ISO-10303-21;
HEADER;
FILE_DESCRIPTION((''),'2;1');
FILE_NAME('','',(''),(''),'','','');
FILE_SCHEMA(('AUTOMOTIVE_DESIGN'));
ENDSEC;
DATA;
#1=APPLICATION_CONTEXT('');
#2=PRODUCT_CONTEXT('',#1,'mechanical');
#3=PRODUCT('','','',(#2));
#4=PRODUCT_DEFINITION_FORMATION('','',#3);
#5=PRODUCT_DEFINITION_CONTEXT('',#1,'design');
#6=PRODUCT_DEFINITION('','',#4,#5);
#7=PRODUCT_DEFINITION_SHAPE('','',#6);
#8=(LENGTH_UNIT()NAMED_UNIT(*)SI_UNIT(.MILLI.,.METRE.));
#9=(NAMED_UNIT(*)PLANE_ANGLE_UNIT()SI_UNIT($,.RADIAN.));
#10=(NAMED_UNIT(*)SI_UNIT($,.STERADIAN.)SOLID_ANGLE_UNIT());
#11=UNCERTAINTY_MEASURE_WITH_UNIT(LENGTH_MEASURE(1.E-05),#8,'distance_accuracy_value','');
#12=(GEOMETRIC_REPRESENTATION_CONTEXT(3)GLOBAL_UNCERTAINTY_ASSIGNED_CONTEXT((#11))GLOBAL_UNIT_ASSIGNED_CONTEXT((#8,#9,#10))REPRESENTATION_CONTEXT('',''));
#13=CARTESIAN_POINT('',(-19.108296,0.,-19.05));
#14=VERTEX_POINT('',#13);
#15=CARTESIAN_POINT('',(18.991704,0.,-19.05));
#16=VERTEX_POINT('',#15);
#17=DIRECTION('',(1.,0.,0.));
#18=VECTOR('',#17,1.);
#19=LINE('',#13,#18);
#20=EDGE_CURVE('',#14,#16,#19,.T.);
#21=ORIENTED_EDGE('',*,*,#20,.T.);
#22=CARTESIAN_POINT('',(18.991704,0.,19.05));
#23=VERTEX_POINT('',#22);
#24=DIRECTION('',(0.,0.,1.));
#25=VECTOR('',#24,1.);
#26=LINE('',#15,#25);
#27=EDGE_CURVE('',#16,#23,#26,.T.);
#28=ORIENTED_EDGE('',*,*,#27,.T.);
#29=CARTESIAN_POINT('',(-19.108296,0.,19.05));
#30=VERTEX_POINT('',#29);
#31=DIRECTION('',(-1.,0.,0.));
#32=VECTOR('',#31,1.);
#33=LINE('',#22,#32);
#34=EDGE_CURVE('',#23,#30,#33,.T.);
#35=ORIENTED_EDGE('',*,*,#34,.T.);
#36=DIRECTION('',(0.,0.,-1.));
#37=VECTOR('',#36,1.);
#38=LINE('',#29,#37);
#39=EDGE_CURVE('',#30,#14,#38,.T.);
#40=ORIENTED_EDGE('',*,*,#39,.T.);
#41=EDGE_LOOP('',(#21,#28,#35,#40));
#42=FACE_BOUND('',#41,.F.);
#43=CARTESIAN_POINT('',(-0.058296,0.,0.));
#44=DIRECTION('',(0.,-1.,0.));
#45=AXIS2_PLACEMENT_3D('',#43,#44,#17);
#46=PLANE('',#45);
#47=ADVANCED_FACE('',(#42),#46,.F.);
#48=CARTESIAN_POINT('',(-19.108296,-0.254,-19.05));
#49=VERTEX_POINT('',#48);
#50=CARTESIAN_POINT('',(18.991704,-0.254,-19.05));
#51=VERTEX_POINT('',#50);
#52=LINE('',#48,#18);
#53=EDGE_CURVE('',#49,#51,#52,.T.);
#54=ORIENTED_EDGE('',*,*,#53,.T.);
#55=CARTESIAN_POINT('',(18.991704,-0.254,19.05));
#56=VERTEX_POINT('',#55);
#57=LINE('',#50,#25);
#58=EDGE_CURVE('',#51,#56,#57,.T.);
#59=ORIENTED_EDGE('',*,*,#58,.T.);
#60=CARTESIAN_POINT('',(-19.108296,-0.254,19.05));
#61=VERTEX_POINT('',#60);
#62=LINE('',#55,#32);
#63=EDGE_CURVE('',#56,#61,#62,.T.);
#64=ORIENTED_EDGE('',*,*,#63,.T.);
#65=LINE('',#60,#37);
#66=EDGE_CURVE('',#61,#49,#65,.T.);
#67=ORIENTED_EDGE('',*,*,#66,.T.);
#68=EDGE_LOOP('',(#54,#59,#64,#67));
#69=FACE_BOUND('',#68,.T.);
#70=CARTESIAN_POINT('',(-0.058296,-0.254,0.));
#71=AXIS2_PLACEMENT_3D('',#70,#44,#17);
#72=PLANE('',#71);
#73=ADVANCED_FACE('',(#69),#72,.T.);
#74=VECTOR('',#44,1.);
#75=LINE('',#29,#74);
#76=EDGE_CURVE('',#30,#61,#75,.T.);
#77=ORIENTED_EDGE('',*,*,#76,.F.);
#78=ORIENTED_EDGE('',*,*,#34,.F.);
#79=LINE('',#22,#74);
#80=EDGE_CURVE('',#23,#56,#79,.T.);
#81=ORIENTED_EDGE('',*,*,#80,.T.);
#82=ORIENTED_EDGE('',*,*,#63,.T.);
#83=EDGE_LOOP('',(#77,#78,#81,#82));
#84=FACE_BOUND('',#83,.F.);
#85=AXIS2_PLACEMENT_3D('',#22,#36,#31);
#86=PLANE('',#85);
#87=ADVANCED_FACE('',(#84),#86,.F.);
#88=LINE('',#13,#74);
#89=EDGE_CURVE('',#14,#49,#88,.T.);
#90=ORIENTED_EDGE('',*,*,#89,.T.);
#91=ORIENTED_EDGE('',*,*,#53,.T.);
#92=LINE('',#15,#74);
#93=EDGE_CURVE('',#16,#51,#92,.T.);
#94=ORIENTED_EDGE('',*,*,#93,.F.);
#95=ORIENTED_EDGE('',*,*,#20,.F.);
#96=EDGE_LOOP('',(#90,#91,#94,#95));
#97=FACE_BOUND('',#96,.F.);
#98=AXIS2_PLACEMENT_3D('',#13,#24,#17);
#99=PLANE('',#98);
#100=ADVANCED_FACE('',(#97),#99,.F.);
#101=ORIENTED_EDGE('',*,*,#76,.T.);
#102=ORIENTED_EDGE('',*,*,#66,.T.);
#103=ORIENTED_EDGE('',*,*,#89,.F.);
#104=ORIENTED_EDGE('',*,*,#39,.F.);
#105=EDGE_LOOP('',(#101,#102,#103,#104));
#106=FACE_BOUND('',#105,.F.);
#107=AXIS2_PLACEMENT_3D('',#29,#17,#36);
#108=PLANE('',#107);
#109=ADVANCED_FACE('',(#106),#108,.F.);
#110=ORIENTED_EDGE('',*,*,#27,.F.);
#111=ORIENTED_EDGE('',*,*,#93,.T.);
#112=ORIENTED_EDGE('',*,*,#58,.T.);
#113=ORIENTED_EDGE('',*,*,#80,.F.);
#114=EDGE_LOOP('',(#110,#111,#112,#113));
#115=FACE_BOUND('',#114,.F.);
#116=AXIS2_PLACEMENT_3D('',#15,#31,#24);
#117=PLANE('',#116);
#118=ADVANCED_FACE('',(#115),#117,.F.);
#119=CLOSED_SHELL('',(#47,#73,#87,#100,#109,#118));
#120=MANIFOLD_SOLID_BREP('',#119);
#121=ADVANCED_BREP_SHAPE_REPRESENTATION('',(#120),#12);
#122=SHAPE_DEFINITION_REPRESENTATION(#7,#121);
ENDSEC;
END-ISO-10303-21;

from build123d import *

# Parameters (mm, degrees)
F1_DEPTH = 0.254


with BuildPart() as f1:
    # F0 (on Front) → F1 (new body)
    with BuildSketch(Plane.XZ):
        with BuildLine():
            ThreePointArc((-0.0582960698, -19.05), (13.4120881498, -13.4703842024), (18.991703989, 0))
            ThreePointArc((18.991703989, 0), (13.4120881706, 13.4703841816), (-0.058296011, 19.05))
            ThreePointArc((-0.058296011, 19.05), (-13.5286801926, 13.4703841816), (-19.108296011, 0))
            ThreePointArc((-19.108296011, 0), (-13.5286802134, -13.4703841608), (-0.0582960698, -19.05))
        make_face()
        with BuildLine():
            Line((18.991703989, -19.05), (18.991703989, 0))
            ThreePointArc((18.991703989, 0), (13.4120881498, -13.4703842024), (-0.0582960698, -19.05))
            Line((-0.0582960698, -19.05), (18.991703989, -19.05))
        make_face()
        with BuildLine():
            ThreePointArc((-0.058296011, 19.05), (13.4120881706, 13.4703841816), (18.991703989, 0))
            Line((18.991703989, 0), (18.991703989, 19.05))
            Line((18.991703989, 19.05), (-0.058296011, 19.05))
        make_face()
        with BuildLine():
            ThreePointArc((-19.108296011, 0), (-13.5286801926, 13.4703841816), (-0.058296011, 19.05))
            Line((-0.058296011, 19.05), (-19.108296011, 19.05))
            Line((-19.108296011, 19.05), (-19.108296011, 0))
        make_face()
        with BuildLine():
            Line((-19.108296011, -19.05), (-0.0582960698, -19.05))
            ThreePointArc((-0.0582960698, -19.05), (-13.5286802134, -13.4703841608), (-19.108296011, 0))
            Line((-19.108296011, 0), (-19.108296011, -19.05))
        make_face()
    extrude(amount=F1_DEPTH)


solid = f1.part
